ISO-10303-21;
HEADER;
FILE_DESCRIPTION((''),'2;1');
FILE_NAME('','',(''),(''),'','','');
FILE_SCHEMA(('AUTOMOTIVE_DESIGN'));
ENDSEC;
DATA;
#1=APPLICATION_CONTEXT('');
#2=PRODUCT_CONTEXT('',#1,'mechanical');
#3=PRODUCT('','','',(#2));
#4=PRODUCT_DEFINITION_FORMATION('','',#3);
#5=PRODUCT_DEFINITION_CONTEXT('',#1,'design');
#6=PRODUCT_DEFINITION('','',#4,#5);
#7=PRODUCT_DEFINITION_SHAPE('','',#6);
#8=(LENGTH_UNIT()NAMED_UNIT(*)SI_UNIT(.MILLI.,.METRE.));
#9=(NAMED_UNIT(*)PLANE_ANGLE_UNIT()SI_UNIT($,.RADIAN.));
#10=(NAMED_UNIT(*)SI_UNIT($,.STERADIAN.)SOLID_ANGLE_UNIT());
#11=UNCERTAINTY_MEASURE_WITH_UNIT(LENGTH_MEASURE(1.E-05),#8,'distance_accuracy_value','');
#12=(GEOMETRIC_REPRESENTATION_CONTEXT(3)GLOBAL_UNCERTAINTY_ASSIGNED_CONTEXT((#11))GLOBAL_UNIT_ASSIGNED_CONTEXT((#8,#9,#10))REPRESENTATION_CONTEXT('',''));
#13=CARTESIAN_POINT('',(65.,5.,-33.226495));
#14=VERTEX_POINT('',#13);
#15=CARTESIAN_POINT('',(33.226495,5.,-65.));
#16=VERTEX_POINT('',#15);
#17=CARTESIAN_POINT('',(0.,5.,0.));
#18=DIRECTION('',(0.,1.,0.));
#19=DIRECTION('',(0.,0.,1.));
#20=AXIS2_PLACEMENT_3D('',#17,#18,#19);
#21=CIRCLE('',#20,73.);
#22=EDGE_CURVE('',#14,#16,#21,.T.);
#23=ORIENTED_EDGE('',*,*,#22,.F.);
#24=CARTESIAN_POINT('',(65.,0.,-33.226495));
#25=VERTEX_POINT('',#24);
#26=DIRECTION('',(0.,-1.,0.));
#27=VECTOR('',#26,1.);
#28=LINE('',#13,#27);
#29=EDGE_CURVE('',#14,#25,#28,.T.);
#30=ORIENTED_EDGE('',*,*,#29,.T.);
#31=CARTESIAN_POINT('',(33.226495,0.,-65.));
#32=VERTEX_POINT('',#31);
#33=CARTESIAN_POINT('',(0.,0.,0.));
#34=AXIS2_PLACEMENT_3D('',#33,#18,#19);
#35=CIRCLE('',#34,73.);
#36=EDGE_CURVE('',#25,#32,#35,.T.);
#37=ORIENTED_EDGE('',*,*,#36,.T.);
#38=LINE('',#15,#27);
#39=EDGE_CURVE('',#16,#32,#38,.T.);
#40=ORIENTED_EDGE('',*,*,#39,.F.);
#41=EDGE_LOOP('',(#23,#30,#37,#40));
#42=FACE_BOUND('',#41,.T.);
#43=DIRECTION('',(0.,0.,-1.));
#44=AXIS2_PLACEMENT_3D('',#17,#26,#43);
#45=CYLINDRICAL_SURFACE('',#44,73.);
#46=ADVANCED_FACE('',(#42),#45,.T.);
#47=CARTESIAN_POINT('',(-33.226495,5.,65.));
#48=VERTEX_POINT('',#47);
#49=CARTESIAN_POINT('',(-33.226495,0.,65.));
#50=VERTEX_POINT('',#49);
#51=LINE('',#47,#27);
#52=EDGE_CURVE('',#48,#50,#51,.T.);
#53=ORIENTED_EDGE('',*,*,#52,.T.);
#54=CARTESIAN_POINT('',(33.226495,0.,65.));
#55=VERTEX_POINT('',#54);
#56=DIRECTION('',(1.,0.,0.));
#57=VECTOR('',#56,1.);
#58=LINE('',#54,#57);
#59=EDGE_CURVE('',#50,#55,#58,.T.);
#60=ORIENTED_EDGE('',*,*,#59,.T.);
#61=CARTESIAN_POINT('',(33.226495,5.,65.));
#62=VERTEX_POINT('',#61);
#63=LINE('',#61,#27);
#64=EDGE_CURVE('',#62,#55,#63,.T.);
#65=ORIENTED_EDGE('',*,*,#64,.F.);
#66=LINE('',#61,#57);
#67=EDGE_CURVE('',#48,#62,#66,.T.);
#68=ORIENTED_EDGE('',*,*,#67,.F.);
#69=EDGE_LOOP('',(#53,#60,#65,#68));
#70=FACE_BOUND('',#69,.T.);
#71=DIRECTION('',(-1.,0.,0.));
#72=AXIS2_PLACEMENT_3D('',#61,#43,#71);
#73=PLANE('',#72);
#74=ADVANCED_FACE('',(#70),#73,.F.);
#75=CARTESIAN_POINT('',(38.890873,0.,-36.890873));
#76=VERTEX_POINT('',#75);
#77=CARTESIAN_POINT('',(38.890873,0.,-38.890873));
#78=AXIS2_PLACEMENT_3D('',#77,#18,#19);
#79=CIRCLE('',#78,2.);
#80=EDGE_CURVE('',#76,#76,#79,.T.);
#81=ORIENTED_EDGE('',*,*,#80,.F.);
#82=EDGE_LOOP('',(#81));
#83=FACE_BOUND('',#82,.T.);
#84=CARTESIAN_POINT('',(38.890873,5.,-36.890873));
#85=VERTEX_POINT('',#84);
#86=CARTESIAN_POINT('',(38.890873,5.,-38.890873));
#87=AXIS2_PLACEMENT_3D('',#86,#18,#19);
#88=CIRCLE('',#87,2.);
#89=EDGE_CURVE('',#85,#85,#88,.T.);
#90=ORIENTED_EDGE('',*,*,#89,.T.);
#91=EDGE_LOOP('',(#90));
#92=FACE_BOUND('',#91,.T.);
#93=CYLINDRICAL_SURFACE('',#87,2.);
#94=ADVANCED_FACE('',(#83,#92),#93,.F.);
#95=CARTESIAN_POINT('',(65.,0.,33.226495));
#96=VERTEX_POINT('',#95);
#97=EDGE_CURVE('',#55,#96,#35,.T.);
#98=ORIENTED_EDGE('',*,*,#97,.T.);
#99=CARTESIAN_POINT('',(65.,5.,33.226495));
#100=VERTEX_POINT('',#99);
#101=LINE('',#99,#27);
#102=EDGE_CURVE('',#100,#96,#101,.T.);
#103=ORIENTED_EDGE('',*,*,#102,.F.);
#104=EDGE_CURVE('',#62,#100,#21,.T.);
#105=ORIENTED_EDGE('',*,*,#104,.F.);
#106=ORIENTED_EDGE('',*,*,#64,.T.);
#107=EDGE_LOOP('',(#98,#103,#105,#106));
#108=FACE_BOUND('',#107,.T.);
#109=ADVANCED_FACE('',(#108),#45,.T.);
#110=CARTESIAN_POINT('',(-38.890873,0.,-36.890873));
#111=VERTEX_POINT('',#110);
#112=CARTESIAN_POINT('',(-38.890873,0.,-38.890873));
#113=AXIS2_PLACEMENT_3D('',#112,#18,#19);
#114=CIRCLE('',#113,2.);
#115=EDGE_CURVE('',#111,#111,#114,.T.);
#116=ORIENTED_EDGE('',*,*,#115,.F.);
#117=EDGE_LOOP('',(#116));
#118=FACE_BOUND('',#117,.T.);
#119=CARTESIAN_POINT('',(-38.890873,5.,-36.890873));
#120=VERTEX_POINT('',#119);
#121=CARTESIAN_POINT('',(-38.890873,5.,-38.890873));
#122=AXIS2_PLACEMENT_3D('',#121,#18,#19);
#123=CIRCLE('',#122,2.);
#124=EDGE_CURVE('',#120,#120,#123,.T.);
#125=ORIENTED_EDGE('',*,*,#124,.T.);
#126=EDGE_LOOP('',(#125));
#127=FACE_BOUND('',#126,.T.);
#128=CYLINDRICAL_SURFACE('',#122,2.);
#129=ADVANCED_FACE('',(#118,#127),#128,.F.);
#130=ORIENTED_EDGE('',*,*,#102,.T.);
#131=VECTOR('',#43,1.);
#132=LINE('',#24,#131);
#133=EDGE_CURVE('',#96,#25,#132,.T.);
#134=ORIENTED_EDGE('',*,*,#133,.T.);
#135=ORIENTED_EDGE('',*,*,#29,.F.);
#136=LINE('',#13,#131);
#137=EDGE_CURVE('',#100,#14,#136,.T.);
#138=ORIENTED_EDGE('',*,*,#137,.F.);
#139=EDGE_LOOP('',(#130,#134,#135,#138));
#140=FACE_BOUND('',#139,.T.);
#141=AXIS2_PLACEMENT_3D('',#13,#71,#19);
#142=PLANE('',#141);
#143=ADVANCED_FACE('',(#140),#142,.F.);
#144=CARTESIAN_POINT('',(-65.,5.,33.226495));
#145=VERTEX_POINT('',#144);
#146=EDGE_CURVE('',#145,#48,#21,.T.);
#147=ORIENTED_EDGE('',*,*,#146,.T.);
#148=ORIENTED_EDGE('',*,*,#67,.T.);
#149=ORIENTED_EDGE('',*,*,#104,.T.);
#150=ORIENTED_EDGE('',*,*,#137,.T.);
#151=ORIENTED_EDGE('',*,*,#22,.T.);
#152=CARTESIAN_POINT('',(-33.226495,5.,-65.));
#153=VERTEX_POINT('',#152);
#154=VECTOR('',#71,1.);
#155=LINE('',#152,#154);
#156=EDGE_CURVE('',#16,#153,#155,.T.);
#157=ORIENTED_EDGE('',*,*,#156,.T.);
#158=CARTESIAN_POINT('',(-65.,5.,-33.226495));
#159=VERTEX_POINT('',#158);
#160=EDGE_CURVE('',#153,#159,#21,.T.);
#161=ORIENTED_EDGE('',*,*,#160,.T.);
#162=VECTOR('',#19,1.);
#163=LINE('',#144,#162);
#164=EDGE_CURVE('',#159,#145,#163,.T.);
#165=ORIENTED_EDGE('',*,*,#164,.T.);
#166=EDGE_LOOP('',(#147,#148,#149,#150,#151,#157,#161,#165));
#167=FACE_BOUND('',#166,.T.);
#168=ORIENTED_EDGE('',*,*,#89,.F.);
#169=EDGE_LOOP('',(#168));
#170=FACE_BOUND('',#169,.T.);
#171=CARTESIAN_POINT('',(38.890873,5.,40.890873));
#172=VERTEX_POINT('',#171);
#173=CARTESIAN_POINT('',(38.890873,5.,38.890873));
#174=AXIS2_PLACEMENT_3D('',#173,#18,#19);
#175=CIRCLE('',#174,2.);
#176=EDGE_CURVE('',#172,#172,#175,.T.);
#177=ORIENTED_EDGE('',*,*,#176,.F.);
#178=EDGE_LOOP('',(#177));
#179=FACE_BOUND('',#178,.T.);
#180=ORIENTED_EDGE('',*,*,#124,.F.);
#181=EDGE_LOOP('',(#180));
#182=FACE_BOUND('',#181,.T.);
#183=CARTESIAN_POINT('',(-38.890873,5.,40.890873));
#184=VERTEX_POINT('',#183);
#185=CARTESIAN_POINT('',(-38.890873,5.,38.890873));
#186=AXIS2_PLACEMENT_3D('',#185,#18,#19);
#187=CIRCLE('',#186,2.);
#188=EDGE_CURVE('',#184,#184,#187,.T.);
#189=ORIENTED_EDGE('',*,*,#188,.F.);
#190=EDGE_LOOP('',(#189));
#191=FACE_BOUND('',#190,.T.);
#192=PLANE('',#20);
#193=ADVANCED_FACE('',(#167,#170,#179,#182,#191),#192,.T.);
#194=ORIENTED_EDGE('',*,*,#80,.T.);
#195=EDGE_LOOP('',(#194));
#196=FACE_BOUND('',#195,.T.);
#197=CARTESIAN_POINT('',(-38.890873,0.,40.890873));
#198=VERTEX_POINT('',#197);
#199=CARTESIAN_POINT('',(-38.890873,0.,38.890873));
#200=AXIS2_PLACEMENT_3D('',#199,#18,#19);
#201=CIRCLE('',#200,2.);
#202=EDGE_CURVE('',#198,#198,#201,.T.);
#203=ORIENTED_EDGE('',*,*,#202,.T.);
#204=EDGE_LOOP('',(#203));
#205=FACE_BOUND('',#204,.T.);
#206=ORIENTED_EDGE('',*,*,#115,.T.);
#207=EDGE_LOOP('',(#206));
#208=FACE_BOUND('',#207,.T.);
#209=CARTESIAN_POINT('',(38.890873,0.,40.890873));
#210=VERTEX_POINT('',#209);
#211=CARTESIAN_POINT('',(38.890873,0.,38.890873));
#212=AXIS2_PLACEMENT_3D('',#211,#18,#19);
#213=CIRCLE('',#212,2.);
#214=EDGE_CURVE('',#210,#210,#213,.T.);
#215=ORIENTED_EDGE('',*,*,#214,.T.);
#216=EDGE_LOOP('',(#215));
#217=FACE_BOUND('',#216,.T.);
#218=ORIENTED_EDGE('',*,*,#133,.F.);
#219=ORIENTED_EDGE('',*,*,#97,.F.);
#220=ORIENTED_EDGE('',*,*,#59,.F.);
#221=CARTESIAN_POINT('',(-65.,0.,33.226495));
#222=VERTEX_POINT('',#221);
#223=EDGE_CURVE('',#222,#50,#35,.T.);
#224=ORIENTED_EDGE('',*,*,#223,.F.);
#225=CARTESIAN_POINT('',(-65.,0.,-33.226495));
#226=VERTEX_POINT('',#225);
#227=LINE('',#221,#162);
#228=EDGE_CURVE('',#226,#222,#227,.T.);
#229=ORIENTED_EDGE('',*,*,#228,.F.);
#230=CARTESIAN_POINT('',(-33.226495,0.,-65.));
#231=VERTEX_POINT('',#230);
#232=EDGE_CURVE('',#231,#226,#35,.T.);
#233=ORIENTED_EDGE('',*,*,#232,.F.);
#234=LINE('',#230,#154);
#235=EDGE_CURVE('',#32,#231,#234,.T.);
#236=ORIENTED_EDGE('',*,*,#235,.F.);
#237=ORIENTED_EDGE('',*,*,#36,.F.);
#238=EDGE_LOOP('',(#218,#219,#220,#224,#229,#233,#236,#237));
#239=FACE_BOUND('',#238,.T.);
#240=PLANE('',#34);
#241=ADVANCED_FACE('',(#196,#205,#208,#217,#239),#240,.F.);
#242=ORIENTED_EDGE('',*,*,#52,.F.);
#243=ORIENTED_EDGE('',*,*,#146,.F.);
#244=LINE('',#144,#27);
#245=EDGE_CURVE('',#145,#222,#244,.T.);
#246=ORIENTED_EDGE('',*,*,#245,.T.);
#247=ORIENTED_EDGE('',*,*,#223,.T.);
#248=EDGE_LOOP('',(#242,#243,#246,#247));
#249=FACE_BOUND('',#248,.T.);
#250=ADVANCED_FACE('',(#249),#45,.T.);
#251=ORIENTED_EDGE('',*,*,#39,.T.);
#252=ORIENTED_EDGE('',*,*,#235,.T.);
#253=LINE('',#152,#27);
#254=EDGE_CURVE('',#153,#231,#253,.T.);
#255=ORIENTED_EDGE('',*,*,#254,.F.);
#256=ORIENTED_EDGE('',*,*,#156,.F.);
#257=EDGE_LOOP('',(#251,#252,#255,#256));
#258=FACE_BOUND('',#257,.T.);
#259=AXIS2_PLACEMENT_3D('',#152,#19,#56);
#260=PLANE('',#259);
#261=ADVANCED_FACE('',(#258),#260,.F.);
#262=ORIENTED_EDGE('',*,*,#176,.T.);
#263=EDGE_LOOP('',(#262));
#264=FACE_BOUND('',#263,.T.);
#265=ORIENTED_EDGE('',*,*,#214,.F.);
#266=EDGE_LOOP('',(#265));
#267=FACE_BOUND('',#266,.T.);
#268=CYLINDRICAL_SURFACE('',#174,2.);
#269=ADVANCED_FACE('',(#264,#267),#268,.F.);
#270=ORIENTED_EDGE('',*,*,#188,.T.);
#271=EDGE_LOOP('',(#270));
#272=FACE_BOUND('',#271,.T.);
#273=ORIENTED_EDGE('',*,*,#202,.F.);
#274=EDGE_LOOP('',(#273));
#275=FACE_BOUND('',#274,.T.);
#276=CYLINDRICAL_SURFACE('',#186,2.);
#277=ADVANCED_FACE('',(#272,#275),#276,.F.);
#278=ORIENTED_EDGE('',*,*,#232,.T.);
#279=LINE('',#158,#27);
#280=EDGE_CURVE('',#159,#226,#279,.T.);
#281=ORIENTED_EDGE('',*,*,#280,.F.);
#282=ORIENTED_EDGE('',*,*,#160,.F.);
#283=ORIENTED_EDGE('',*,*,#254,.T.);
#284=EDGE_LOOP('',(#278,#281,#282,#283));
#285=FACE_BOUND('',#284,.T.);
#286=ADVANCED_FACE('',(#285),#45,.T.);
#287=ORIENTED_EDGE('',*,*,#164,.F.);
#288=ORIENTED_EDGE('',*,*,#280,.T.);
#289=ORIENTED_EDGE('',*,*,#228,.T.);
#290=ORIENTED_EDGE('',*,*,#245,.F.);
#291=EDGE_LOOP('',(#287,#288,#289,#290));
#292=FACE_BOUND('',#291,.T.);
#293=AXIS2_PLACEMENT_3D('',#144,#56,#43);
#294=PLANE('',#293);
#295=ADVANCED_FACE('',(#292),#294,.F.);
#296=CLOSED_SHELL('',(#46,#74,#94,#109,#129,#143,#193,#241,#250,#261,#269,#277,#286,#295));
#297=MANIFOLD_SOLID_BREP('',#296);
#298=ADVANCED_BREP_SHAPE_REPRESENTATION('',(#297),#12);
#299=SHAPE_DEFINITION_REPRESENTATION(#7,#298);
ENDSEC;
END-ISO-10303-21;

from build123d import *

# Parameters (mm, degrees)
BOSS_EXTRUDE1_DEPTH   = 5
F_4_0MM_DOWEL_HOLE2_D = 4


with BuildPart() as part:
    # Sketch1 → Boss-Extrude1 (new body)
    with BuildSketch(Plane(origin=(0, 0, 0), x_dir=(1, 0, 0), z_dir=(0, 1, 0))):
        with BuildLine():
            Line((65, 33.226495452), (65, -33.226495452))
            ThreePointArc((65, -33.226495452), (51.618795027, -51.618795027), (33.226495452, -65))
            Line((33.226495452, -65), (-33.226495452, -65))
            ThreePointArc((-33.226495452, -65), (-51.618795027, -51.618795027), (-65, -33.226495452))
            Line((-65, -33.226495452), (-65, 33.226495452))
            ThreePointArc((-65, 33.226495452), (-51.618795027, 51.618795027), (-33.226495452, 65))
            Line((-33.226495452, 65), (33.226495452, 65))
            ThreePointArc((33.226495452, 65), (51.618795027, 51.618795027), (65, 33.226495452))
        make_face()
    extrude(amount=BOSS_EXTRUDE1_DEPTH)

    # Ø4.0mm Dowel Hole2 (through all)
    with Locations(Plane(origin=(0, 5, 0), x_dir=(1, 0, 0), z_dir=(0, 1, 0))):
        with Locations((38.890872965, 38.890872965), (38.890872965, -38.890872965), (-38.890872965, -38.890872965), (-38.890872965, 38.890872965)):
            Hole(F_4_0MM_DOWEL_HOLE2_D / 2)


solid = part.part
